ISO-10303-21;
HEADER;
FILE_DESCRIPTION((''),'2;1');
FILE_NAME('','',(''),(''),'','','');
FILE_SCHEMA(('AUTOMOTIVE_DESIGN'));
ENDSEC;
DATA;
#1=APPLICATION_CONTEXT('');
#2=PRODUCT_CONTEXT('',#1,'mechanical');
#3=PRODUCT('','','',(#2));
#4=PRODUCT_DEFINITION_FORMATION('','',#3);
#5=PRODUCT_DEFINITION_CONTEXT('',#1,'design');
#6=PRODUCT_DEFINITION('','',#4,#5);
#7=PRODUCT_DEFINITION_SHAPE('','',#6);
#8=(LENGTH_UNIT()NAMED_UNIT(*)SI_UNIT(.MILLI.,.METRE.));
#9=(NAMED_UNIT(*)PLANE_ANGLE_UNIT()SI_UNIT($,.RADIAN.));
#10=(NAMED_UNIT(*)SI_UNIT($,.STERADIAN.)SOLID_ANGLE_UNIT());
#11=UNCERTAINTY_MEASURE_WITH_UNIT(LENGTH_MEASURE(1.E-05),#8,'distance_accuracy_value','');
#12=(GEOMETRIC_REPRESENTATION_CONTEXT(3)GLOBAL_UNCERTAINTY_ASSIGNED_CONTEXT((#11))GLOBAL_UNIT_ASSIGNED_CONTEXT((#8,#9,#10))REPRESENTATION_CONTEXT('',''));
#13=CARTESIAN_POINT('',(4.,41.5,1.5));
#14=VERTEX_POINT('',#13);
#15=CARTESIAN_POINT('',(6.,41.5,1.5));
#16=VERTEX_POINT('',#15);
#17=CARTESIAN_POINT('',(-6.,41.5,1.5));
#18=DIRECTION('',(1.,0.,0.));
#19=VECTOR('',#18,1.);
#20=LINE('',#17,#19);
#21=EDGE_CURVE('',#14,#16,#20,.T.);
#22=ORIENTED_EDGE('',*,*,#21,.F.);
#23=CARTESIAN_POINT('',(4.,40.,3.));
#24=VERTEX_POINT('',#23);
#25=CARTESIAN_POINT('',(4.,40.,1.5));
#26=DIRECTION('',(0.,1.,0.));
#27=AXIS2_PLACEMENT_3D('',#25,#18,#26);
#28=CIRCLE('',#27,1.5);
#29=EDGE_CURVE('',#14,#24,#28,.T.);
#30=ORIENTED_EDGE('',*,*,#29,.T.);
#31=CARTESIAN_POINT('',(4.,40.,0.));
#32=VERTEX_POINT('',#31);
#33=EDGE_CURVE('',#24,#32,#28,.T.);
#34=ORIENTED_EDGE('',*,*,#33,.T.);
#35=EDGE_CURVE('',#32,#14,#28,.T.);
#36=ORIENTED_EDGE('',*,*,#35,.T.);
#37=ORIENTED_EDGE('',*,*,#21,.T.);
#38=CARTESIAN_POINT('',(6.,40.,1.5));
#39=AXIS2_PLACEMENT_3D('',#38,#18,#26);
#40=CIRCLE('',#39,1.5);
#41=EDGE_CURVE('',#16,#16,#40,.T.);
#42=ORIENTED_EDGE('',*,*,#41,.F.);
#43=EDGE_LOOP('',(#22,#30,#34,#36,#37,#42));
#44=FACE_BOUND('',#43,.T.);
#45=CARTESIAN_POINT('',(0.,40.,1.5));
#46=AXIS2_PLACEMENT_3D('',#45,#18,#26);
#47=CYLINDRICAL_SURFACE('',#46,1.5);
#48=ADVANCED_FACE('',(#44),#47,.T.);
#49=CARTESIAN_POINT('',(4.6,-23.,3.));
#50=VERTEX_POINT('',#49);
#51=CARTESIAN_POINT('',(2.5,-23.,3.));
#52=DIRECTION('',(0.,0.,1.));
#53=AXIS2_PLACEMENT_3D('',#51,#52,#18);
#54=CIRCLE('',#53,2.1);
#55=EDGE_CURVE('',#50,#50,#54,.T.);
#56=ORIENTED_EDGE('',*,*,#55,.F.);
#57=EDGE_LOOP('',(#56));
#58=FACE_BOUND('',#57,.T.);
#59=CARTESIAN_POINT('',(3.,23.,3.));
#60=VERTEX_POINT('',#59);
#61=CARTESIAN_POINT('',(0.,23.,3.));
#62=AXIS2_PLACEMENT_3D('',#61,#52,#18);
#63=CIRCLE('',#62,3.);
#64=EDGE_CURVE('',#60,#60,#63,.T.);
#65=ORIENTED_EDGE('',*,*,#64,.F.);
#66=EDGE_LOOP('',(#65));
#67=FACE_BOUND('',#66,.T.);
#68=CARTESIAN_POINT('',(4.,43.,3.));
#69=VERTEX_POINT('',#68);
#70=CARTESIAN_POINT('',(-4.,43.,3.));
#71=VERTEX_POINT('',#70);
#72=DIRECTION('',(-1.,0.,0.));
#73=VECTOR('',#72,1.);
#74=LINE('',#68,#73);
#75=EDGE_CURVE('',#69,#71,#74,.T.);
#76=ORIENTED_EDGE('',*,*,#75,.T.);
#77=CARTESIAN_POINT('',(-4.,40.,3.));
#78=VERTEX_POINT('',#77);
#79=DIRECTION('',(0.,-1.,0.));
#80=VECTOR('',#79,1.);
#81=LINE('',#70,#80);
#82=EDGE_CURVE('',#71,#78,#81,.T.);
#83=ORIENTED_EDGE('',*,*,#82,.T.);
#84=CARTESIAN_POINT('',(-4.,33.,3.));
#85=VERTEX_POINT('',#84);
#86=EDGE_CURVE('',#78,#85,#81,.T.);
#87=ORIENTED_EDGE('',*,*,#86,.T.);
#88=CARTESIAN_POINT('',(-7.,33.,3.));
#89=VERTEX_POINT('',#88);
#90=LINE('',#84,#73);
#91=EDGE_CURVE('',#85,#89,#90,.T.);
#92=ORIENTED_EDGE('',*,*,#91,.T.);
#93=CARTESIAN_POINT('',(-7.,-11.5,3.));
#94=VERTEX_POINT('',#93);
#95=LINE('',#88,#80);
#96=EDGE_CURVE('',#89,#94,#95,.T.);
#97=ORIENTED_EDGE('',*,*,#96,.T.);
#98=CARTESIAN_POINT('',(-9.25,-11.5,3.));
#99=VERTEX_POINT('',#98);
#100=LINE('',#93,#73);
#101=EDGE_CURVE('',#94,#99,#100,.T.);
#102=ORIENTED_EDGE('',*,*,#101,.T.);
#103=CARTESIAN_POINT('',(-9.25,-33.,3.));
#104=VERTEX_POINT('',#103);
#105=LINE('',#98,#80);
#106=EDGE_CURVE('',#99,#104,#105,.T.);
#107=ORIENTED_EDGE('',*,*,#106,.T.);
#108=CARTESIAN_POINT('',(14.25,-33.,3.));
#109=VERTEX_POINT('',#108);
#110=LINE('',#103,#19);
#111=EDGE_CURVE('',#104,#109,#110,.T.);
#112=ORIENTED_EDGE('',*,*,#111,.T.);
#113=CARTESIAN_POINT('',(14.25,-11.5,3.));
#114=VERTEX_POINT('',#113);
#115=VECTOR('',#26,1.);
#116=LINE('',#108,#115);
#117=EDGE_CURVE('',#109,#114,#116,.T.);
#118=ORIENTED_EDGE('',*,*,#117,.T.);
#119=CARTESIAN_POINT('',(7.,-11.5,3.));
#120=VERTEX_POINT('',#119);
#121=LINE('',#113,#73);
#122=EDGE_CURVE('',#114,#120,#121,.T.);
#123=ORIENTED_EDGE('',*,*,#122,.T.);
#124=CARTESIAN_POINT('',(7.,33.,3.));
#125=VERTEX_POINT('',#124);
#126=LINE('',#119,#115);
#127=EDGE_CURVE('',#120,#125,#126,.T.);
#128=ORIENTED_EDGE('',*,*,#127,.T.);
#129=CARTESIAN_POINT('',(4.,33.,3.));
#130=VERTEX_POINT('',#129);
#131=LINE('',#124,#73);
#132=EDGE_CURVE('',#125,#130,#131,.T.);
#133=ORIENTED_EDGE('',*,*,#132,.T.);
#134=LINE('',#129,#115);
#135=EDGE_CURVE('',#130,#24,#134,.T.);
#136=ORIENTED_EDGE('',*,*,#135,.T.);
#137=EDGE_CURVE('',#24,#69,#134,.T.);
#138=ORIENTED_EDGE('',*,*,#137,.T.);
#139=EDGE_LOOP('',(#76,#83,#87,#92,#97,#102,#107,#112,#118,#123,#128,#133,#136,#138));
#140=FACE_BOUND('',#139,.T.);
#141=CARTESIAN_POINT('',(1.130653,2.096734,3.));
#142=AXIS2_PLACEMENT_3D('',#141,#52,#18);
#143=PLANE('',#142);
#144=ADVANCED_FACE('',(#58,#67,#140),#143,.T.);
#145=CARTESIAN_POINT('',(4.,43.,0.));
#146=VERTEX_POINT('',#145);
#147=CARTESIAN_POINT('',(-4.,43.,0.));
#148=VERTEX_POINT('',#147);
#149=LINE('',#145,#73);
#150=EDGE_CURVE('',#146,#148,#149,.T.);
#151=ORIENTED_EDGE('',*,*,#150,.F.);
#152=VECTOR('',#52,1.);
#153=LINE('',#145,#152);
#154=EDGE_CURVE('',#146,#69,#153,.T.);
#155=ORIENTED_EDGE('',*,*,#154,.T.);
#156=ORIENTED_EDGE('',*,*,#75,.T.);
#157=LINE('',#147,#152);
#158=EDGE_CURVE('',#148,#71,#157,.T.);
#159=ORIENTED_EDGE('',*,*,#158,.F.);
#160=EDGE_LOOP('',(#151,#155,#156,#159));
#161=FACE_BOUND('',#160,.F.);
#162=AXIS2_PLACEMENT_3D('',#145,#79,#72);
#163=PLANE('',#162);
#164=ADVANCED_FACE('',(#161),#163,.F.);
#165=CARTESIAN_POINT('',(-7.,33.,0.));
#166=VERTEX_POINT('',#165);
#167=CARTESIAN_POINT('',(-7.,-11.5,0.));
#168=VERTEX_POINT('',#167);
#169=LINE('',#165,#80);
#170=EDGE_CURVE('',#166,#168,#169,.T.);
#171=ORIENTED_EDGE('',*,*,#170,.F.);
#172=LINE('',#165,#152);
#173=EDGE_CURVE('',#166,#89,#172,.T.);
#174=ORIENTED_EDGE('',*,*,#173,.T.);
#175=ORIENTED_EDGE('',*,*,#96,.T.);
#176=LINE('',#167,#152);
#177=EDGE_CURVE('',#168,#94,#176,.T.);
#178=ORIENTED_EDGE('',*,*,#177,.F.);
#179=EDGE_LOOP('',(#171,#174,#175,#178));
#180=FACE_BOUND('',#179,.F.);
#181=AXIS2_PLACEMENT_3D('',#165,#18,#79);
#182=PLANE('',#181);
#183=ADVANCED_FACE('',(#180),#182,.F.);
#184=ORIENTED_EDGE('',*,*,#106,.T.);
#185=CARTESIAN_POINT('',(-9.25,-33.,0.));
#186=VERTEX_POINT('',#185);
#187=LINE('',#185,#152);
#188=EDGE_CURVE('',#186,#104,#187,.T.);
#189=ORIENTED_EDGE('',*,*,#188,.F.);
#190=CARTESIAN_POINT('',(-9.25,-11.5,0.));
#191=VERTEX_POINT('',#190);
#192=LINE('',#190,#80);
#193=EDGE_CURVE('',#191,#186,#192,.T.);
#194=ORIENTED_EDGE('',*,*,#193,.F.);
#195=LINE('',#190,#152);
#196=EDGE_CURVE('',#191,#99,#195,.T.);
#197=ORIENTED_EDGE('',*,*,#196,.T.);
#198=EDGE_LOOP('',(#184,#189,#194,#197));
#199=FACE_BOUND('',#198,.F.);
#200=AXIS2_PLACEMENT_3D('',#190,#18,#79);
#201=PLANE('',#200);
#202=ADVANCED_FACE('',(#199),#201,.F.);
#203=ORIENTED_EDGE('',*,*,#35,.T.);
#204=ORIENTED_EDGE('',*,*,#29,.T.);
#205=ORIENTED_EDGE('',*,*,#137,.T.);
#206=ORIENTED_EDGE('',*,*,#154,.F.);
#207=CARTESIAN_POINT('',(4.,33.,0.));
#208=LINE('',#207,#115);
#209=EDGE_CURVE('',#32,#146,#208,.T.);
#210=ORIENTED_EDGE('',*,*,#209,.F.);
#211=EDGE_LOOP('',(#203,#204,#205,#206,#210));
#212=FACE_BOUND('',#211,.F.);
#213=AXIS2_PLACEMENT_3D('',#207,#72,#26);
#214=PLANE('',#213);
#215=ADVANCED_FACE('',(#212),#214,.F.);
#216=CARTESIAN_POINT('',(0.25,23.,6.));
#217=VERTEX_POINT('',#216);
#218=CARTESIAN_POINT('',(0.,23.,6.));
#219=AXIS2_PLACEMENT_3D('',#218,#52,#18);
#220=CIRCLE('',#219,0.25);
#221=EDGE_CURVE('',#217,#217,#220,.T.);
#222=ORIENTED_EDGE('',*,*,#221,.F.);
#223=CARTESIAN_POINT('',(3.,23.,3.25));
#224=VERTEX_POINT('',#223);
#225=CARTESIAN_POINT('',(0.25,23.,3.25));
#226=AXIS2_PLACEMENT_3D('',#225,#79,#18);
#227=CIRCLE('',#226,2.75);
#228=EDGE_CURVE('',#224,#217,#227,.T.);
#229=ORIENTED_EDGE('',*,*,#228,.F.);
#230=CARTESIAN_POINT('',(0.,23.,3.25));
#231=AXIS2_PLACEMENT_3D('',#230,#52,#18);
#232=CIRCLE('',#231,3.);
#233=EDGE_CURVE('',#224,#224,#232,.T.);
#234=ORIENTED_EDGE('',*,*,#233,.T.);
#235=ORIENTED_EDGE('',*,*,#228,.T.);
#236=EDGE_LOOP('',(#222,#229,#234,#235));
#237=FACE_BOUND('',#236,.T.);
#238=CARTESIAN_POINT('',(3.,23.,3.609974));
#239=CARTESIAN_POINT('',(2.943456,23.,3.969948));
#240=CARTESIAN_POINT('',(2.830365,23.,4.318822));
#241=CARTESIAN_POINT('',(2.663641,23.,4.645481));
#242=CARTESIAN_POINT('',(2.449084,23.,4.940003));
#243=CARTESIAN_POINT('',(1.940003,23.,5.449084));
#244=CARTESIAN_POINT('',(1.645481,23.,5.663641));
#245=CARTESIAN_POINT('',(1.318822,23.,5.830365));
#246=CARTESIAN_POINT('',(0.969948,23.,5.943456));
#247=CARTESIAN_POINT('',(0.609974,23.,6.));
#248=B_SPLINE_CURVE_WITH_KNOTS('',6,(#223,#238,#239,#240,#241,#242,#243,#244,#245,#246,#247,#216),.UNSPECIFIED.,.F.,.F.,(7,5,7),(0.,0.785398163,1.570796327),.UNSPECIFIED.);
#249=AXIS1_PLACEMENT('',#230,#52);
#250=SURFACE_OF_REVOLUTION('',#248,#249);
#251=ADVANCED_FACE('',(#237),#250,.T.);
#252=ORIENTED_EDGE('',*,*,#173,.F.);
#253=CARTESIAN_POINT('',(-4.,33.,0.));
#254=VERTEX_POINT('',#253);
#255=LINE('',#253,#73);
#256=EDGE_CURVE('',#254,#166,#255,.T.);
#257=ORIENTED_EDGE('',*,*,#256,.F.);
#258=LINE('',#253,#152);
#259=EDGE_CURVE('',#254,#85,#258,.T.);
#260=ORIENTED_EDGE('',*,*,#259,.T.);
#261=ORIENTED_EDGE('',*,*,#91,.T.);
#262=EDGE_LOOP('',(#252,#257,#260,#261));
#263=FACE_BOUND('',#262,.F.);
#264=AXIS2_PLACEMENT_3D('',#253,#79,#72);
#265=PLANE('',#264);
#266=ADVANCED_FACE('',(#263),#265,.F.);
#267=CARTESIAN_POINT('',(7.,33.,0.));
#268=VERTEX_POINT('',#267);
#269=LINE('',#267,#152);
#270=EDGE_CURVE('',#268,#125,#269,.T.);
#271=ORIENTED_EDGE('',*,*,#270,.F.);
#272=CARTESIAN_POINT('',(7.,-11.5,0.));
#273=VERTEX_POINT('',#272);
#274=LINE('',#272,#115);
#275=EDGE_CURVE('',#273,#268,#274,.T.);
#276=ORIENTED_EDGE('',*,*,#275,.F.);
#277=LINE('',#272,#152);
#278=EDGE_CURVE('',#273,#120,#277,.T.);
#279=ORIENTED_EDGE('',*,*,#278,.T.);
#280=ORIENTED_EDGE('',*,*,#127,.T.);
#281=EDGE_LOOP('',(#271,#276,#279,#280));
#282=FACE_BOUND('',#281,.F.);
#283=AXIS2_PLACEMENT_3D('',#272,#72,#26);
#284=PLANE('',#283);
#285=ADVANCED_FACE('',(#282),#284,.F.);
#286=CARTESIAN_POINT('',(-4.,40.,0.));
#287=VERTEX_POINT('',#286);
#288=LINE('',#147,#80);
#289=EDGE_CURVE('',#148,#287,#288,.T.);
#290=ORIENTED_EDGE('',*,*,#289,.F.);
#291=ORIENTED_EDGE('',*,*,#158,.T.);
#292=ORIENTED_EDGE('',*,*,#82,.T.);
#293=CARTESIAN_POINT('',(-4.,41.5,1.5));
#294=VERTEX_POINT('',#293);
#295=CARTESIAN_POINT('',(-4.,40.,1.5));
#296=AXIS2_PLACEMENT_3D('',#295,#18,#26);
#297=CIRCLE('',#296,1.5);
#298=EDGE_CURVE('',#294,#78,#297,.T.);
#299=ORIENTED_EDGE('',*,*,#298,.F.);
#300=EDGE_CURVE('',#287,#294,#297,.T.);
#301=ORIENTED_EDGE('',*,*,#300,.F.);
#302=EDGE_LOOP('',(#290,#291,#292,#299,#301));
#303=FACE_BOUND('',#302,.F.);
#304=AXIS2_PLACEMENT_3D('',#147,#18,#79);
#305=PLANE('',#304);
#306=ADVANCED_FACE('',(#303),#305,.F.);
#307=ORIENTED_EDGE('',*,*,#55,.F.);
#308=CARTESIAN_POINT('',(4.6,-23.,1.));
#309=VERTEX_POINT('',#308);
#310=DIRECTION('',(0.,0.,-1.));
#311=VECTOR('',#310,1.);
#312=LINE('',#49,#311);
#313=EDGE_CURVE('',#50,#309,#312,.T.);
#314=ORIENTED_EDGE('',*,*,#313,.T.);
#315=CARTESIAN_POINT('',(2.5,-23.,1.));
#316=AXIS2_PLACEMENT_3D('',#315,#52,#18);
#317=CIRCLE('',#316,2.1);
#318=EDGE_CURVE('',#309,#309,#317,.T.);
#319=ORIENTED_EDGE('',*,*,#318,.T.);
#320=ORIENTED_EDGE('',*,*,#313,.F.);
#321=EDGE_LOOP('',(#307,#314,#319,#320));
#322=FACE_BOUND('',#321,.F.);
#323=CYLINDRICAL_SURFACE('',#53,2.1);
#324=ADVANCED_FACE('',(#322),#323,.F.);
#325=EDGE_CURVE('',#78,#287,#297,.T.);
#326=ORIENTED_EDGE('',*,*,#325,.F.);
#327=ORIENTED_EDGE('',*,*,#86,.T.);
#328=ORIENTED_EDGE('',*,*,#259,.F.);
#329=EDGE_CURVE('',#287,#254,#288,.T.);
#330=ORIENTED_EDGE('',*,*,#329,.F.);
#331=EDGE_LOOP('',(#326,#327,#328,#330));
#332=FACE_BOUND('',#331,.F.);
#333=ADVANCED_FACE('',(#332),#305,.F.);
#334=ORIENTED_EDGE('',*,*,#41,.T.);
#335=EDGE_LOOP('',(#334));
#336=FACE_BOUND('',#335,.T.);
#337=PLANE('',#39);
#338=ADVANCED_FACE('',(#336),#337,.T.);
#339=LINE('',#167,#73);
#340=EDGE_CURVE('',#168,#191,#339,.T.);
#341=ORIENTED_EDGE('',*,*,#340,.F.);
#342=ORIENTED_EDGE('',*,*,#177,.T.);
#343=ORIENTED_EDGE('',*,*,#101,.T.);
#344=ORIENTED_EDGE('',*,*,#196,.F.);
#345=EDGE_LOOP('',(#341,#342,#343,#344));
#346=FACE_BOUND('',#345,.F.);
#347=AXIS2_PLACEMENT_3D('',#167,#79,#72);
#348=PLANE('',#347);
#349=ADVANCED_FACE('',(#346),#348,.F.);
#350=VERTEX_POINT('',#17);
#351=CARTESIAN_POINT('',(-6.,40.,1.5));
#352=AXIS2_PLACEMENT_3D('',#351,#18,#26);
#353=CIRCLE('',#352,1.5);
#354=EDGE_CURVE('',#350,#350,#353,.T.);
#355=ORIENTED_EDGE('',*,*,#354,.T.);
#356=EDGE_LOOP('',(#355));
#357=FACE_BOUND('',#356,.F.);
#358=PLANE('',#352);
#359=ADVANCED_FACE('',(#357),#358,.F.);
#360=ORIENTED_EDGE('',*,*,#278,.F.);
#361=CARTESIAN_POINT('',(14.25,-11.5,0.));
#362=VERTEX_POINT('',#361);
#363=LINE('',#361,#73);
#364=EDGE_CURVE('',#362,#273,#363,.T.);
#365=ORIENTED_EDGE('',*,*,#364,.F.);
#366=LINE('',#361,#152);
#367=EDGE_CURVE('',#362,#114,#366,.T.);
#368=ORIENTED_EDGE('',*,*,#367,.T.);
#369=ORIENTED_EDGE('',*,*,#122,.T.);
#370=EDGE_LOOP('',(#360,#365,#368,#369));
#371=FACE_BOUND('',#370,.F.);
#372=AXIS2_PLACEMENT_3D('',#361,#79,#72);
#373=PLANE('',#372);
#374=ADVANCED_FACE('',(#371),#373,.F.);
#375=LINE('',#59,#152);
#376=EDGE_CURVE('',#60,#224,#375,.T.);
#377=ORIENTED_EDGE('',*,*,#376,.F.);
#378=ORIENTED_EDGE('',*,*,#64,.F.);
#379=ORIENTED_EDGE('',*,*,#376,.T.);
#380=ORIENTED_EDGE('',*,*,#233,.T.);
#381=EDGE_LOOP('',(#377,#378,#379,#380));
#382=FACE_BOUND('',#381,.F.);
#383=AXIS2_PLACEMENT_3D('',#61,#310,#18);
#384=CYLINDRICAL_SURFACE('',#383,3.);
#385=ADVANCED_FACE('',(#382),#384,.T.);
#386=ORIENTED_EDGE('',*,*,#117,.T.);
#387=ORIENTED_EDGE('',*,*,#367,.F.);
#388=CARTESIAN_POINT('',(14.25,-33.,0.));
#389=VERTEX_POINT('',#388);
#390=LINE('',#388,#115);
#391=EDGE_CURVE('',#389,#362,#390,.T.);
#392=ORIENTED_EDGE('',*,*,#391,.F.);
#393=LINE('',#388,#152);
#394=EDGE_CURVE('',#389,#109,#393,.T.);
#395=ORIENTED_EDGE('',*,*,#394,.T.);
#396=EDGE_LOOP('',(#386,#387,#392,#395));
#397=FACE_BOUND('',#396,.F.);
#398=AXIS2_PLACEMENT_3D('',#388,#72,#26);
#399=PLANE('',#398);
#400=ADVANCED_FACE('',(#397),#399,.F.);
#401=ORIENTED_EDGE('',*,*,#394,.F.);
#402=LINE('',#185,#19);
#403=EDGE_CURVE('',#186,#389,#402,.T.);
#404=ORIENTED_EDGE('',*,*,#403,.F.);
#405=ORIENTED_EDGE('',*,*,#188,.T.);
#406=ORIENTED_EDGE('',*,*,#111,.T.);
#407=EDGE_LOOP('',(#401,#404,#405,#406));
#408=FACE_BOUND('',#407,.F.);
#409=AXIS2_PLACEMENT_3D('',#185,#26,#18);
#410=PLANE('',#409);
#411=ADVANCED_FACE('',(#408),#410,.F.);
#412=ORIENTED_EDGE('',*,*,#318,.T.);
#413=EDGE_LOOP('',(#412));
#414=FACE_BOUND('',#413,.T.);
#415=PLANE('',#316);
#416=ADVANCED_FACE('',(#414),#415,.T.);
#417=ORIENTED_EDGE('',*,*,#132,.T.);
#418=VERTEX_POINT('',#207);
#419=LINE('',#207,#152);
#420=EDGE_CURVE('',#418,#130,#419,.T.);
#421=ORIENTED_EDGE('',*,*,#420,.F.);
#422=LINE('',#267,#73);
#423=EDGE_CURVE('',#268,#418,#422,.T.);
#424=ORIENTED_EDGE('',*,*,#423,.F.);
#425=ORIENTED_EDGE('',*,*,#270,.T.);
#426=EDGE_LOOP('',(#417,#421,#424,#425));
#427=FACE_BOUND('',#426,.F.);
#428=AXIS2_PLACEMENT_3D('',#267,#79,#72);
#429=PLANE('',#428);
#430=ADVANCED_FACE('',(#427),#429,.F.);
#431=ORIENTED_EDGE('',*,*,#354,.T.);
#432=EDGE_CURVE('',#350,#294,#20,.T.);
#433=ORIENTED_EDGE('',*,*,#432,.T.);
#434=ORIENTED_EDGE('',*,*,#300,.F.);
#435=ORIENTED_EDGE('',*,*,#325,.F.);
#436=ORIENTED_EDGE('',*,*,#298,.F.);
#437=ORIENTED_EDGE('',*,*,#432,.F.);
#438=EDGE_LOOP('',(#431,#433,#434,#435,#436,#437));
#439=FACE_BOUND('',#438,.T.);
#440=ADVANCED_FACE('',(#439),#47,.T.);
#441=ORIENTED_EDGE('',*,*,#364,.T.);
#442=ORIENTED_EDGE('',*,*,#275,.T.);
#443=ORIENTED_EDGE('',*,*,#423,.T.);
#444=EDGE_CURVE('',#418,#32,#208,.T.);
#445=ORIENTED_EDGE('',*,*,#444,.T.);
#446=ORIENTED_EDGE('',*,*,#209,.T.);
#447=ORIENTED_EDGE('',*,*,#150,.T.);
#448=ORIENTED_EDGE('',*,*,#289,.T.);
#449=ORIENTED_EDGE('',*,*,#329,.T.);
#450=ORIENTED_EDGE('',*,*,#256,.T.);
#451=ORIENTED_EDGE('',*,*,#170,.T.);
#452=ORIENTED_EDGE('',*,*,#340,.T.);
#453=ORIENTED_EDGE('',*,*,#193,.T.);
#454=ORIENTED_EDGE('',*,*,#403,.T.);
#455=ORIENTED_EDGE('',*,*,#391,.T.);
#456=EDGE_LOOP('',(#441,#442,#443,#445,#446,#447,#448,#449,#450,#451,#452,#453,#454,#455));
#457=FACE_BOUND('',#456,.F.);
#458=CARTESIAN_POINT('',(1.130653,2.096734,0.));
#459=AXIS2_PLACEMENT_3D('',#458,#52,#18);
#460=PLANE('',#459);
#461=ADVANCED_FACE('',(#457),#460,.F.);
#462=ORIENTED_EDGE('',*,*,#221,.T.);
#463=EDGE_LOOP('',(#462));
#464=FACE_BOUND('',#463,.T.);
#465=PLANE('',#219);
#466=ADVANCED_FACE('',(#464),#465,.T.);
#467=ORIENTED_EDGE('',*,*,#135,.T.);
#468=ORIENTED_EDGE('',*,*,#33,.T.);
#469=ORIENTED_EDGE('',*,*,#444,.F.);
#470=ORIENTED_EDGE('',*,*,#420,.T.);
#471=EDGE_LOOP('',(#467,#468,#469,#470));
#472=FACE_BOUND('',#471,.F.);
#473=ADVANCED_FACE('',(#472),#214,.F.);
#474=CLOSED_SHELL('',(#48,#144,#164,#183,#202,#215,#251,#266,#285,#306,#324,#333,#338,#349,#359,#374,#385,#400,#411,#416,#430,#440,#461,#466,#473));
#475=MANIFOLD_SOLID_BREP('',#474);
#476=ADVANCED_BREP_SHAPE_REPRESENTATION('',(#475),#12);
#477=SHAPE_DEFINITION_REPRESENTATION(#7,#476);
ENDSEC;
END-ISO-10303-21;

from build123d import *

# Parameters (mm, degrees)
PAD_DEPTH    = 3
SKETCH001_R  = 1.5
PAD001_DEPTH = 6
SKETCH002_R  = 2.1
POCKET_DEPTH = 2
SKETCH003_R  = 3
PAD002_DEPTH = 3
FILLET_R     = 2.75


with BuildPart() as part:
    # Sketch → Pad (new body)
    with BuildSketch(Plane.XY):
        Polygon((-9.25, -33), (14.25, -33), (14.25, -11.5), (7, -11.5), (7, 33), (4, 33), (4, 43), (-4, 43), (-4, 33), (-7, 33), (-7, -11.5), (-9.25, -11.5), align=None)
    extrude(amount=PAD_DEPTH)

    # Sketch001 → Pad001 (join, symmetric)
    with BuildSketch(Plane.YZ):
        with Locations((40, 1.5)):
            Circle(SKETCH001_R)
    extrude(amount=PAD001_DEPTH, both=True)

    # Sketch002 (on Face5 of Pad001) → Pocket (cut)
    with BuildSketch(Plane.XY.offset(3)):
        with Locations((2.5, -23)):
            Circle(SKETCH002_R)
    extrude(amount=-POCKET_DEPTH, mode=Mode.SUBTRACT)

    # Sketch003 (on Face5 of Pocket) → Pad002 (join)
    with BuildSketch(Plane.XY.offset(3)):
        with Locations((0, 23)):
            Circle(SKETCH003_R)
    extrude(amount=PAD002_DEPTH)

    # Fillet
    fillet_edges = [part.edges().sort_by_distance(p)[0] for p in [
        (-3, 23, 6),
    ]]
    fillet(fillet_edges, radius=FILLET_R)


solid = part.part
